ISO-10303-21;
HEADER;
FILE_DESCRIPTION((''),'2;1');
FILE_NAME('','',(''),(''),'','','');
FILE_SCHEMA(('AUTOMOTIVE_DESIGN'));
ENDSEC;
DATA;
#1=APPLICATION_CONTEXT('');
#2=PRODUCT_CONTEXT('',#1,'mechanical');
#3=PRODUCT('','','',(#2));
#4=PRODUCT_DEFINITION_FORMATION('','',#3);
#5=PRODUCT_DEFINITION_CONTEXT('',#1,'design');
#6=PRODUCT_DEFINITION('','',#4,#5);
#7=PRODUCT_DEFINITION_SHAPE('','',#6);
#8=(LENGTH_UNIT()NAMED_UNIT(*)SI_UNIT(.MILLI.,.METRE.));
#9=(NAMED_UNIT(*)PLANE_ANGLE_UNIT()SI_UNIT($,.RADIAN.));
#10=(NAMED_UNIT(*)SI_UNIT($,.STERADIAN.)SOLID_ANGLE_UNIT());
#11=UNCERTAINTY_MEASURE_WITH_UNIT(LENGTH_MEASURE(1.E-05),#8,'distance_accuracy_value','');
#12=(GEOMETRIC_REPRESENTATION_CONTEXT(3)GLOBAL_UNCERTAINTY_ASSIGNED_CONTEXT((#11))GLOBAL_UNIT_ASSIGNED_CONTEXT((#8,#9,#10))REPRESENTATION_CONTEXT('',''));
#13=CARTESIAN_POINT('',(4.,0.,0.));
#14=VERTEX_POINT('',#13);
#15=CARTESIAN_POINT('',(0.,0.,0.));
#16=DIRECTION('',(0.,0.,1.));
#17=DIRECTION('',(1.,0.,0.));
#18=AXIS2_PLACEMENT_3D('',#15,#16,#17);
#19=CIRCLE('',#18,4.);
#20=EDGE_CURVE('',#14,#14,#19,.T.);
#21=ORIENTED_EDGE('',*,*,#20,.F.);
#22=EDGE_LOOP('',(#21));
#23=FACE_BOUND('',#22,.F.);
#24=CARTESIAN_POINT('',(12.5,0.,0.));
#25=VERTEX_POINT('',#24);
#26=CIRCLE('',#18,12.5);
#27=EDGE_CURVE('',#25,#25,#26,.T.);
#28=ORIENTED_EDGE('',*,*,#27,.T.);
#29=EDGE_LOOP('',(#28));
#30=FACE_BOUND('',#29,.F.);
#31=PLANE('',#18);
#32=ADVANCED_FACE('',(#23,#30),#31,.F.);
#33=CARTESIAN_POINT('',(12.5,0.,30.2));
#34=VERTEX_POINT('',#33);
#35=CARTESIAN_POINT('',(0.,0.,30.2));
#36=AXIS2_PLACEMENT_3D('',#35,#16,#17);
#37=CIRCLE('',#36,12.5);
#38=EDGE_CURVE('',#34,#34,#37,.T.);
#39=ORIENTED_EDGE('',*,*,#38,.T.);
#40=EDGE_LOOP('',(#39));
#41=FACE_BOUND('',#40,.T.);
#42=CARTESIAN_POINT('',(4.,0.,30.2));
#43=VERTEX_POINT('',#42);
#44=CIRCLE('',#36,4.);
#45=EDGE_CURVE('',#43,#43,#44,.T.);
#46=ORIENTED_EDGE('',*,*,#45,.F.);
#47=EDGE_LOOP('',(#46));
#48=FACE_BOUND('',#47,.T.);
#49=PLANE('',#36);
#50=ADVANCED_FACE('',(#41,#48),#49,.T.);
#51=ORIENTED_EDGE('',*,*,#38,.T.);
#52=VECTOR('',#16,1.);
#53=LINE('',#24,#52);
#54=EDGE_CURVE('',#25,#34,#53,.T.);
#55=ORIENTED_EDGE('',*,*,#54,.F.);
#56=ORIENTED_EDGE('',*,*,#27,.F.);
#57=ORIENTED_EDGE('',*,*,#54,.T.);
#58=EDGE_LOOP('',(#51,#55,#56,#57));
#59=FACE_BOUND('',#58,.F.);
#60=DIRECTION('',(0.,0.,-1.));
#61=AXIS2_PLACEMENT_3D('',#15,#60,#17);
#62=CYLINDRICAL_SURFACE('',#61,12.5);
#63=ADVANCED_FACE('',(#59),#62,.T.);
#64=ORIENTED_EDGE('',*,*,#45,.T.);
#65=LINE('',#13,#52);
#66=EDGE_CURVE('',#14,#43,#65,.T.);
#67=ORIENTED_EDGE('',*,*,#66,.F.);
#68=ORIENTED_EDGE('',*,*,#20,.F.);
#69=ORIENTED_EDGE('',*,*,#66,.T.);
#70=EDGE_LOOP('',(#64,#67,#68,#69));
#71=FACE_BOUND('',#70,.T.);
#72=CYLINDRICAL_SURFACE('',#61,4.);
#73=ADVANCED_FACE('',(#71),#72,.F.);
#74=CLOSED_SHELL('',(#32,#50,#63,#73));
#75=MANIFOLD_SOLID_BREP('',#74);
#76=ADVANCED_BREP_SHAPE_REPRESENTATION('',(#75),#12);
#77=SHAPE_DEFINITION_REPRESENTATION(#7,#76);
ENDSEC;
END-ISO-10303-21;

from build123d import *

# Parameters (mm, degrees)
SKETCH_R   = 12.5
SKETCH_R_2 = 4
PAD_DEPTH  = 30.2


with BuildPart() as part:
    # Sketch → Pad (new body)
    with BuildSketch(Plane.XY):
        Circle(SKETCH_R)
        Circle(SKETCH_R_2, mode=Mode.SUBTRACT)
    extrude(amount=PAD_DEPTH)


solid = part.part
